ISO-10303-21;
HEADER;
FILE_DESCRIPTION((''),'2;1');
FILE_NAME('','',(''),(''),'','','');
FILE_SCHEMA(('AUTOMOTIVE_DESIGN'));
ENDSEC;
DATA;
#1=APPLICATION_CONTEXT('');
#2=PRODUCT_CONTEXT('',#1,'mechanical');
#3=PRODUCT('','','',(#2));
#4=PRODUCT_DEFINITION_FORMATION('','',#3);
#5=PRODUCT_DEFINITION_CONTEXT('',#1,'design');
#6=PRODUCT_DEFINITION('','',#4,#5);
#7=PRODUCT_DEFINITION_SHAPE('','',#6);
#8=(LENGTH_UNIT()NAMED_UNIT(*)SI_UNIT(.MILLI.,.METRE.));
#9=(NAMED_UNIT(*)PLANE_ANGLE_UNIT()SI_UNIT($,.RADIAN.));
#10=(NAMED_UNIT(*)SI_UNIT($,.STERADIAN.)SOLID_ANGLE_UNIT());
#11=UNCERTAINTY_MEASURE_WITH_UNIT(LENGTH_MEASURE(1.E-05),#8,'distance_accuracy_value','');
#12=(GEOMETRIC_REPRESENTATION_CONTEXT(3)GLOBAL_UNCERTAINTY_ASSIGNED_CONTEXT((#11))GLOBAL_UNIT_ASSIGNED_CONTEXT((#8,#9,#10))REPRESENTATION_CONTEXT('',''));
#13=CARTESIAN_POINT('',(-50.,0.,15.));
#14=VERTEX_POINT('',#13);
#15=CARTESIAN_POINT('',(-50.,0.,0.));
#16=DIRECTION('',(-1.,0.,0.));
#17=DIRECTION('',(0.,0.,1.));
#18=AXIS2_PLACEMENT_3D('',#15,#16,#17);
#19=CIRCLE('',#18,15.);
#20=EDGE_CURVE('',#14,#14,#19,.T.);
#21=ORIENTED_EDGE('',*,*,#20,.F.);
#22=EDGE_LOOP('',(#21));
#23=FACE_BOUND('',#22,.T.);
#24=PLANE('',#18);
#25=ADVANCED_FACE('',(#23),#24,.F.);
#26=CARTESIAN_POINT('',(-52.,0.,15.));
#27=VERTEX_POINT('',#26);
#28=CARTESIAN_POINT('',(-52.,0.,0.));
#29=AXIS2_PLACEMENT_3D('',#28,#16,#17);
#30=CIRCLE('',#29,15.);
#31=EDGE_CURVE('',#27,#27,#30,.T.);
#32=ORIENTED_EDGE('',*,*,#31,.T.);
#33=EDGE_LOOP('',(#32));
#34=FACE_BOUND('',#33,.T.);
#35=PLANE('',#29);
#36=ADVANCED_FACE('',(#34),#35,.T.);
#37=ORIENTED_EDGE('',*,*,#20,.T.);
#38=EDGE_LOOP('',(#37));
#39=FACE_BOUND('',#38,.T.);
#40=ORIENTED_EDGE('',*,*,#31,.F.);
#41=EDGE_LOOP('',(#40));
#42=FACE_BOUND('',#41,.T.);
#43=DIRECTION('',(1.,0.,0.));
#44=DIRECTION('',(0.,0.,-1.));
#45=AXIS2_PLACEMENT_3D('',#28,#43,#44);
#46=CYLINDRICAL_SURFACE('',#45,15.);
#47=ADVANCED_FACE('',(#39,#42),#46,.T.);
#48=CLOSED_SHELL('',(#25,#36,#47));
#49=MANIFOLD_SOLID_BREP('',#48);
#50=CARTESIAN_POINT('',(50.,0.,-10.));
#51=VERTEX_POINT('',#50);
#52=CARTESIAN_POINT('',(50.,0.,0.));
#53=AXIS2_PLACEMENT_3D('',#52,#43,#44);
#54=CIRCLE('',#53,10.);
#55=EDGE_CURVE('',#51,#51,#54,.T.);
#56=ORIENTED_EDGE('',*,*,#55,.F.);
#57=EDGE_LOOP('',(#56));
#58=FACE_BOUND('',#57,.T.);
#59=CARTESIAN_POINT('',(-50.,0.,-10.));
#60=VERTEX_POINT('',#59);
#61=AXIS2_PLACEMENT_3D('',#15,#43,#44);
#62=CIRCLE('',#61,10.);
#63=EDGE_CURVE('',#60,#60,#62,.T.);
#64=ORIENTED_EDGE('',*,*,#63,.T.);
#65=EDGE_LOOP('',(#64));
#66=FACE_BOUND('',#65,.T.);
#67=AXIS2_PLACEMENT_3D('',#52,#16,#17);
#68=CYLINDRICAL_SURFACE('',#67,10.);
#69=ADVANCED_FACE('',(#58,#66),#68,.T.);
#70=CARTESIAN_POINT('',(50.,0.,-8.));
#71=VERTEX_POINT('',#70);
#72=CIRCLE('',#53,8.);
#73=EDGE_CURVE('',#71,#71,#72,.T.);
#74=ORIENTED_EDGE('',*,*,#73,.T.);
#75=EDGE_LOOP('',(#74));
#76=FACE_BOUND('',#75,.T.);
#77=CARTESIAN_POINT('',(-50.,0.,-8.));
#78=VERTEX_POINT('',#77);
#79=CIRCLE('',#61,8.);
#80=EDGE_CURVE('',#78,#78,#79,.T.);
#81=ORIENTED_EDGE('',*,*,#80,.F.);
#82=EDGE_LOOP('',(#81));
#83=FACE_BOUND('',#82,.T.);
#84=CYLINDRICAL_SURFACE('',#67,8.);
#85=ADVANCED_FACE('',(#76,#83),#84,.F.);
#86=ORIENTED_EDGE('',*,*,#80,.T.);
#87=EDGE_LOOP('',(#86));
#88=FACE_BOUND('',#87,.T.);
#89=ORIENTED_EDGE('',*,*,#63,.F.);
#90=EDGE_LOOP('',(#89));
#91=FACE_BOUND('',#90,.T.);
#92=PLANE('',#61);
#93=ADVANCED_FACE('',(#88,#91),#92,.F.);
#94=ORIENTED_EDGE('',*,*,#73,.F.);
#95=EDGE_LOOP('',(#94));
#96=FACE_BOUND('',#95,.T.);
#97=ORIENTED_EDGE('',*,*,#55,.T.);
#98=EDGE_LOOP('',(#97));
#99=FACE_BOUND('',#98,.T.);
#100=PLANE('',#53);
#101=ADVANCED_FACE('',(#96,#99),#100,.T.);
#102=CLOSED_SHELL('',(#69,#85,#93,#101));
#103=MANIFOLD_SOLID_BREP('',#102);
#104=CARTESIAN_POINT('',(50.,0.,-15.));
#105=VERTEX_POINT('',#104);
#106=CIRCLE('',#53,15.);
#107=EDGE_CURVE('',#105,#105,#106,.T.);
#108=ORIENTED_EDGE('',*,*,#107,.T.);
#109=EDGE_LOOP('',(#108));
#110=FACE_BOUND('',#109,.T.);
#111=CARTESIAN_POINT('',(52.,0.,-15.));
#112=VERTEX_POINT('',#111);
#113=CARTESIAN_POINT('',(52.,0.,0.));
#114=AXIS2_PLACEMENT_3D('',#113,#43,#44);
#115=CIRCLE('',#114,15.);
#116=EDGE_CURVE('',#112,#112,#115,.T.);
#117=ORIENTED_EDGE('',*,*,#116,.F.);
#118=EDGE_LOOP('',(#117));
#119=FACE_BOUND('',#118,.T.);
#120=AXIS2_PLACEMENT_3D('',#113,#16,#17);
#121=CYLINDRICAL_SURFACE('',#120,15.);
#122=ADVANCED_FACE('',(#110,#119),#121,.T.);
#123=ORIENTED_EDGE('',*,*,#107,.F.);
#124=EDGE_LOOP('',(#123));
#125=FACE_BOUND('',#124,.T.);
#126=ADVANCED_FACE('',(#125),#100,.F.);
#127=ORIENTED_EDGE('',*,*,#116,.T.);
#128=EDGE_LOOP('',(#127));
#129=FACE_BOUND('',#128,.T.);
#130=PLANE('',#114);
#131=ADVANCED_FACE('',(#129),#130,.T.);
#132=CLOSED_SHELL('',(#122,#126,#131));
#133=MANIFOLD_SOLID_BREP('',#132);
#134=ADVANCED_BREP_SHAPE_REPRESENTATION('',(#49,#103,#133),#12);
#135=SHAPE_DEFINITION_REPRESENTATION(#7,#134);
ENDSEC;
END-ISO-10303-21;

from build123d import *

# Parameters (mm, degrees)
SKETCH1_R           = 10
SKETCH1_R_2         = 8
BOSS_EXTRUDE1_DEPTH = 50
SKETCH2_R           = 15
BOSS_EXTRUDE2_DEPTH = 2
SKETCH3_R           = 15
BOSS_EXTRUDE3_DEPTH = 2


with BuildPart() as part:
    # Sketch1 → Boss-Extrude1 (new, symmetric)
    with BuildSketch(Plane(origin=(0, 0, 0), x_dir=(0, 0, -1), z_dir=(1, 0, 0))):
        Circle(SKETCH1_R)
        Circle(SKETCH1_R_2, mode=Mode.SUBTRACT)
    extrude(amount=BOSS_EXTRUDE1_DEPTH, both=True)


with BuildPart() as body_2:
    # Sketch2 → Boss-Extrude2 (new body)
    with BuildSketch(Plane(origin=(50, 0, 0), x_dir=(0, 0, -1), z_dir=(1, 0, 0))):
        Circle(SKETCH2_R)
    extrude(amount=BOSS_EXTRUDE2_DEPTH)


with BuildPart() as body_3:
    # Sketch3 → Boss-Extrude3 (new body)
    with BuildSketch(Plane.ZY.offset(50)):
        Circle(SKETCH3_R)
    extrude(amount=BOSS_EXTRUDE3_DEPTH)


solid = Compound([part.part, body_2.part, body_3.part])
